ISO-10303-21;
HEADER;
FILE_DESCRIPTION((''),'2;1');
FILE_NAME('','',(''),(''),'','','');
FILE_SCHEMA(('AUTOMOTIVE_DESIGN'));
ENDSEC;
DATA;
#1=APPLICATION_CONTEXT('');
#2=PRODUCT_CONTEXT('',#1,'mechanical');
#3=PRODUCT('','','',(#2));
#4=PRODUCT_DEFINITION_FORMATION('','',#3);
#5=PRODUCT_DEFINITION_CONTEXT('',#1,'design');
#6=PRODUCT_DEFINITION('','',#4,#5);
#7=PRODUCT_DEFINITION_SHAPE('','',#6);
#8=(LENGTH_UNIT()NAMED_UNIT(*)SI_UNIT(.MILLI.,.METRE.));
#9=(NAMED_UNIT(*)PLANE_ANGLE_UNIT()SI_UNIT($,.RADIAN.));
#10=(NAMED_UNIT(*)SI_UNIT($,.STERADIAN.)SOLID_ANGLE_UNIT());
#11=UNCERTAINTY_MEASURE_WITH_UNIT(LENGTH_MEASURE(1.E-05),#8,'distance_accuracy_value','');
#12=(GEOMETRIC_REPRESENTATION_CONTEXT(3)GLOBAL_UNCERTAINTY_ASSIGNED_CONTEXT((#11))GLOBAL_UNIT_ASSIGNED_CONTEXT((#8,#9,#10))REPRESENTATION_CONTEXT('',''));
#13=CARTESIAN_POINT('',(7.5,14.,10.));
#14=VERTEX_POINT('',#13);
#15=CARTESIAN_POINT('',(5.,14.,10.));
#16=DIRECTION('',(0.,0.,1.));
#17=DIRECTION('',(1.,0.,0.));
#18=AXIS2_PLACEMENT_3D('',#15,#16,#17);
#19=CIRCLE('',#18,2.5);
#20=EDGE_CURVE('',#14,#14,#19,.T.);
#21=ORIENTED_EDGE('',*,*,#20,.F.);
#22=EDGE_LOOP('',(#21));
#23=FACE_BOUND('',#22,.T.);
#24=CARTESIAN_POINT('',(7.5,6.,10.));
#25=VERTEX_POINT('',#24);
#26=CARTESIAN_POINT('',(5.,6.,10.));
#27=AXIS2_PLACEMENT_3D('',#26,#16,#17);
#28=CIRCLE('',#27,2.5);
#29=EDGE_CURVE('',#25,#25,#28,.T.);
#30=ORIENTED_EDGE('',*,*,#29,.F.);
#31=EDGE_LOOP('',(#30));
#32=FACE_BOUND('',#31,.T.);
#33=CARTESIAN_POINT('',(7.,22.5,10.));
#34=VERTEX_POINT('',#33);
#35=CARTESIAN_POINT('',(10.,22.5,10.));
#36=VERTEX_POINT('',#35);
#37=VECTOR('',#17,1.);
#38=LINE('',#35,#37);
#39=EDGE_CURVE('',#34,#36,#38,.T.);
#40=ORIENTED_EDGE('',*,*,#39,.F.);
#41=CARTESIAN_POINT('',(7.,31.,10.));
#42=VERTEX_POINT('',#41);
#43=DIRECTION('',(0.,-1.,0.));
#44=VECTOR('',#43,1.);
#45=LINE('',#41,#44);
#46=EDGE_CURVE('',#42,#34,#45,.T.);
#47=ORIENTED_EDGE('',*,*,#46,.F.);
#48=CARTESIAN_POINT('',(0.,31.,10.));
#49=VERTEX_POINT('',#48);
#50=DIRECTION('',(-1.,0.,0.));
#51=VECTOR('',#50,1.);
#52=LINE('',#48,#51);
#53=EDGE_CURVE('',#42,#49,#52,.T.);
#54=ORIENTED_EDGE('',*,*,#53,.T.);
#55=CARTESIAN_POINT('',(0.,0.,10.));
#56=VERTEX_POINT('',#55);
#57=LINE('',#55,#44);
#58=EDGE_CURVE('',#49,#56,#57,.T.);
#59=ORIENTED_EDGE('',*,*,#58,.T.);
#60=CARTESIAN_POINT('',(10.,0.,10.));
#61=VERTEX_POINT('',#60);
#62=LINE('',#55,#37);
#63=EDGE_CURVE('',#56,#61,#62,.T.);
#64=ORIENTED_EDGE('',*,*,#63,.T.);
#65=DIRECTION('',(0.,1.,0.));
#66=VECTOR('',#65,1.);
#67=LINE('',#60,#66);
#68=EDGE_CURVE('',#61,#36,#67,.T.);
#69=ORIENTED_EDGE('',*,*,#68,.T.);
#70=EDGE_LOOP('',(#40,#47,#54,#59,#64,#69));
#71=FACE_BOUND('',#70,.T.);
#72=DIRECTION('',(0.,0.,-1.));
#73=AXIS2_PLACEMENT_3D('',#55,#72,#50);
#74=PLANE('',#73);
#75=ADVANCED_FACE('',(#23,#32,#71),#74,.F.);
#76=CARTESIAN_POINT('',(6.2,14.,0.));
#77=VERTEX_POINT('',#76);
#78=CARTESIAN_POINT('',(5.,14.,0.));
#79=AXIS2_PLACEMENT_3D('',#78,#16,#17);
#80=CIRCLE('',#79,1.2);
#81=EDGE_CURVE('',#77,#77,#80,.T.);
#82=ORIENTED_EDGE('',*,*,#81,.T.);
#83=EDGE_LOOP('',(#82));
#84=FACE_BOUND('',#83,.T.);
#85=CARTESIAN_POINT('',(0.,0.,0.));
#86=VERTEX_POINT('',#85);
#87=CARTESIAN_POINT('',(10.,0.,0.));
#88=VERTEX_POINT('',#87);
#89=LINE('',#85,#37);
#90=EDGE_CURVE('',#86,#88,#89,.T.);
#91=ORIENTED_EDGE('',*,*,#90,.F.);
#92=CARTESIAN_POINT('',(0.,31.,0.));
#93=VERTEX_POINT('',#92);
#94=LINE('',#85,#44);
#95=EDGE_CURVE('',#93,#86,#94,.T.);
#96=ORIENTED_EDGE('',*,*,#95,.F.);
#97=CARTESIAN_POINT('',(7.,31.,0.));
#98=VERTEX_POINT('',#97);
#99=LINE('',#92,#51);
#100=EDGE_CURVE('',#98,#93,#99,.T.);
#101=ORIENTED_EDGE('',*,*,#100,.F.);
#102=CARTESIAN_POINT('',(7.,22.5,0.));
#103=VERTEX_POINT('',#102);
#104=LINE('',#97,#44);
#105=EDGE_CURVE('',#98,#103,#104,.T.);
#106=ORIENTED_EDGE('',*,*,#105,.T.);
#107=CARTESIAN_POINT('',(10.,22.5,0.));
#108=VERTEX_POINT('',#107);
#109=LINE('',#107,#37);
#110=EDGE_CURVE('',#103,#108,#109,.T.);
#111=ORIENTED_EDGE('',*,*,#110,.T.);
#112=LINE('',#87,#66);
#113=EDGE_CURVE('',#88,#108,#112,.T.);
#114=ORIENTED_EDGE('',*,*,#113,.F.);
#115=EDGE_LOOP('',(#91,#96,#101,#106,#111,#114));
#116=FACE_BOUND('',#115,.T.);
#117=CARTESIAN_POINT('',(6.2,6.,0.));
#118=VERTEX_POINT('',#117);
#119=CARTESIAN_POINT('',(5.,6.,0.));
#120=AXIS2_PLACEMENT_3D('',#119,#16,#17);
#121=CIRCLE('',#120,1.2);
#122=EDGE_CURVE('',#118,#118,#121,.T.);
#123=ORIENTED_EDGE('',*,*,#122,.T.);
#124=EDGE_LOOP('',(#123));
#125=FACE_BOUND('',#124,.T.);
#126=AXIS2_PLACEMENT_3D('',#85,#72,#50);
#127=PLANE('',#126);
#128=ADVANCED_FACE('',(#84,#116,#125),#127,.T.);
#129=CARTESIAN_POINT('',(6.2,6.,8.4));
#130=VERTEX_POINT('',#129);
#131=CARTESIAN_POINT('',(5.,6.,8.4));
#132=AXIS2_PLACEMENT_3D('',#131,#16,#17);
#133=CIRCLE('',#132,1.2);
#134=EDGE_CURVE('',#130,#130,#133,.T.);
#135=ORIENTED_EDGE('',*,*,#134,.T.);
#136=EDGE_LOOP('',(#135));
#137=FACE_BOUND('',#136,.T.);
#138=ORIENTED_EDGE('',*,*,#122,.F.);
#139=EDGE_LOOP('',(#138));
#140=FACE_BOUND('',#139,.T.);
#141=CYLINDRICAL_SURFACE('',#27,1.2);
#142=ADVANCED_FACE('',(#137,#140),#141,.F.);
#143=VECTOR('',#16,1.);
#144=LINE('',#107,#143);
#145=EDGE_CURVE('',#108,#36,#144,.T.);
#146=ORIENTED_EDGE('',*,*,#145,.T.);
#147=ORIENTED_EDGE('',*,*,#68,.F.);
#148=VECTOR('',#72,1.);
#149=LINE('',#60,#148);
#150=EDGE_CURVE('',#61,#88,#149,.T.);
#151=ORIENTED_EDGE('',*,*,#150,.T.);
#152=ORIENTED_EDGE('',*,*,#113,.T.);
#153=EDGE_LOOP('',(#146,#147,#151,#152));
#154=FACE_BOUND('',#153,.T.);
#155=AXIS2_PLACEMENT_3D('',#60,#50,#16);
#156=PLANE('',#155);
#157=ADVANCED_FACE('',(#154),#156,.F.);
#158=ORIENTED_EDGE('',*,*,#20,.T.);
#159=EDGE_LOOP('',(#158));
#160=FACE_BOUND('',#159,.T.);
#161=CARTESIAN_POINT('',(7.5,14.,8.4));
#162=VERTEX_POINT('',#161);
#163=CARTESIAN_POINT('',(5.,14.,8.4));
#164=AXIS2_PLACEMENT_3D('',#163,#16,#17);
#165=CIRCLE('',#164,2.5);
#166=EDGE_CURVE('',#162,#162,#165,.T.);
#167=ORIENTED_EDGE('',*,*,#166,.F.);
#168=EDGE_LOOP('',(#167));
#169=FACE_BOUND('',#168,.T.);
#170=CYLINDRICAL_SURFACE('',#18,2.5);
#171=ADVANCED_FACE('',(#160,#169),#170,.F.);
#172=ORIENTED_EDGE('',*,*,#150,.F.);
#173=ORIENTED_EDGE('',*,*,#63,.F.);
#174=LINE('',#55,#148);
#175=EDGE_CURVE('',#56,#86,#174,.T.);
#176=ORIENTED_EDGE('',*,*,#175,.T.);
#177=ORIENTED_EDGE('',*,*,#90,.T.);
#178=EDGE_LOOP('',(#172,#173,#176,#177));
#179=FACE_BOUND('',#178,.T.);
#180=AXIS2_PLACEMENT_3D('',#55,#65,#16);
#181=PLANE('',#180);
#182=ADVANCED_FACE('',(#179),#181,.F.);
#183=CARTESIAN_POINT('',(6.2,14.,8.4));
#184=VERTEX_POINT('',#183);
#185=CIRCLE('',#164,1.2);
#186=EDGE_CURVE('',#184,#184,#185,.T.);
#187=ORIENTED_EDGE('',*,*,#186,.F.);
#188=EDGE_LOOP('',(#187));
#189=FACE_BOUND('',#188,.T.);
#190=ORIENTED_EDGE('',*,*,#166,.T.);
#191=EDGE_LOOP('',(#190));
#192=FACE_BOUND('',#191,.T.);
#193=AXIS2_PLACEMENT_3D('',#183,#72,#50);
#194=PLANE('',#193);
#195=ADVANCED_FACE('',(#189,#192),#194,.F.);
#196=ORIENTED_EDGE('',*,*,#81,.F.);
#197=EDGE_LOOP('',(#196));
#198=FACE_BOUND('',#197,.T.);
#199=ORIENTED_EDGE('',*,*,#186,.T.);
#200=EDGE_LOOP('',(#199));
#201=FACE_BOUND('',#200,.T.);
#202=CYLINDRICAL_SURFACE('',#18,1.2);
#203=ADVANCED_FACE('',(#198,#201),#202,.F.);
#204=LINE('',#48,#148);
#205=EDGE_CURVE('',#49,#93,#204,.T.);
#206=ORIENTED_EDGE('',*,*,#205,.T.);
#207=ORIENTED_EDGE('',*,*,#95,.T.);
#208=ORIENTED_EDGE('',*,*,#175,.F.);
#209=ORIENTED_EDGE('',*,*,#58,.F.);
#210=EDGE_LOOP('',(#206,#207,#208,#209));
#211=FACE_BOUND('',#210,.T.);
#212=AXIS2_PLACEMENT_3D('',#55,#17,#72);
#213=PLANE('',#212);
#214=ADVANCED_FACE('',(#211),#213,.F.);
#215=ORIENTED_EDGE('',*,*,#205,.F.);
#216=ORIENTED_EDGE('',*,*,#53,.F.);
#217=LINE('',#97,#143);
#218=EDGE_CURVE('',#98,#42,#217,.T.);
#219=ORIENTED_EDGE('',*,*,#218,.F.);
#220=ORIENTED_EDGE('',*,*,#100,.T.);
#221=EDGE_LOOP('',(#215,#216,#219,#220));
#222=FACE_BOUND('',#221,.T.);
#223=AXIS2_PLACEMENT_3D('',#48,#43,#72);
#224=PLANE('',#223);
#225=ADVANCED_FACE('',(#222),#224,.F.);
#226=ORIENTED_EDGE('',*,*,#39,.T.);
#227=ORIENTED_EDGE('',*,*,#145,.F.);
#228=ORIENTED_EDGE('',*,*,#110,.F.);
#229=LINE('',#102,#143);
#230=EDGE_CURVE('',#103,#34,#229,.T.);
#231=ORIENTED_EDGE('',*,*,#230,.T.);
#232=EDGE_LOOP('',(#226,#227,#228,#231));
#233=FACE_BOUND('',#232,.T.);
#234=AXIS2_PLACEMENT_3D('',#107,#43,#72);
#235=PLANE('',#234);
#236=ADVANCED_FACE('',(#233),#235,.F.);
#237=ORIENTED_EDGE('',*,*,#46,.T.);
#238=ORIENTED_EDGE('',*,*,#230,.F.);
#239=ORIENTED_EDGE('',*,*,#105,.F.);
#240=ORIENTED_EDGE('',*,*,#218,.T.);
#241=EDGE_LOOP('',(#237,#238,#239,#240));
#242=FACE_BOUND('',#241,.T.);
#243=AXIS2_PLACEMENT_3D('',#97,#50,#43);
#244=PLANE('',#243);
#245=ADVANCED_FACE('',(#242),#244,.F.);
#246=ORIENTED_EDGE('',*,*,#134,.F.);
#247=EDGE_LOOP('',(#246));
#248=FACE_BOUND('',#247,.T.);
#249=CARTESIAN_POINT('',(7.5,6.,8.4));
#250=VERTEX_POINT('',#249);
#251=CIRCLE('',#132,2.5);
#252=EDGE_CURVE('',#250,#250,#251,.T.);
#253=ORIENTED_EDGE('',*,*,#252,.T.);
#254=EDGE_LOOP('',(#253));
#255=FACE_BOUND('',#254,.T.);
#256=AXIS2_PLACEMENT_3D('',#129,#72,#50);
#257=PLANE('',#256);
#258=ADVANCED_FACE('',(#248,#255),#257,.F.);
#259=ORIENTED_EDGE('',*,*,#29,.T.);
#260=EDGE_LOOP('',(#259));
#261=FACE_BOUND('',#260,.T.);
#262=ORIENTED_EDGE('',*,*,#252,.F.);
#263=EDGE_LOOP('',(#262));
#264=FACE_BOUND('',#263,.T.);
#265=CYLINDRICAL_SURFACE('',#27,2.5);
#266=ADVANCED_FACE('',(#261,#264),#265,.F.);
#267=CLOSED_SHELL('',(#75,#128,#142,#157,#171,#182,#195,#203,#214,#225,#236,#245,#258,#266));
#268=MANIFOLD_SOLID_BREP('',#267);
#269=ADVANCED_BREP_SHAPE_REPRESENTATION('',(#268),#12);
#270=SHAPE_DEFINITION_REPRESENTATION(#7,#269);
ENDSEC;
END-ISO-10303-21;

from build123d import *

# Parameters (mm, degrees)
SKETCH1_W                                = 10
SKETCH1_H                                = 31
BOSS_EXTRUDE1_DEPTH                      = 10
SKETCH2_W                                = 3
SKETCH2_H                                = 8.5
CUT_EXTRUDE1_DEPTH                       = 10
CBORE_FOR_M2_PAN_HEAD_SCREW1_D           = 2.4
CBORE_FOR_M2_PAN_HEAD_SCREW1_DEPTH       = 10
CBORE_FOR_M2_PAN_HEAD_SCREW1_CBORE_D     = 5
CBORE_FOR_M2_PAN_HEAD_SCREW1_CBORE_DEPTH = 1.6
CBORE_FOR_M2_PAN_HEAD_SCREW1_TIP         = 0.721032743


with BuildPart() as part:
    # Sketch1 → Boss-Extrude1 (new body)
    with BuildSketch(Plane.XY):
        with Locations((5, 15.5)):
            Rectangle(SKETCH1_W, SKETCH1_H)
    extrude(amount=BOSS_EXTRUDE1_DEPTH)

    # Sketch2 → Cut-Extrude1 (cut)
    with BuildSketch(Plane.XY.offset(10)):
        with Locations((8.5, 26.75)):
            Rectangle(SKETCH2_W, SKETCH2_H)
    extrude(amount=-CUT_EXTRUDE1_DEPTH, mode=Mode.SUBTRACT)

    # CBORE for M2 Pan Head Screw1
    with Locations(Plane.XY.offset(10)):
        with Locations((5, 14), (5, 6)):
            CounterBoreHole(CBORE_FOR_M2_PAN_HEAD_SCREW1_D / 2, CBORE_FOR_M2_PAN_HEAD_SCREW1_CBORE_D / 2, CBORE_FOR_M2_PAN_HEAD_SCREW1_CBORE_DEPTH, depth=CBORE_FOR_M2_PAN_HEAD_SCREW1_DEPTH)
            with Locations((0, 0, -(CBORE_FOR_M2_PAN_HEAD_SCREW1_DEPTH + CBORE_FOR_M2_PAN_HEAD_SCREW1_TIP / 2))):  # 118° drill point
                Cone(0, CBORE_FOR_M2_PAN_HEAD_SCREW1_D / 2, CBORE_FOR_M2_PAN_HEAD_SCREW1_TIP, mode=Mode.SUBTRACT)


solid = part.part
